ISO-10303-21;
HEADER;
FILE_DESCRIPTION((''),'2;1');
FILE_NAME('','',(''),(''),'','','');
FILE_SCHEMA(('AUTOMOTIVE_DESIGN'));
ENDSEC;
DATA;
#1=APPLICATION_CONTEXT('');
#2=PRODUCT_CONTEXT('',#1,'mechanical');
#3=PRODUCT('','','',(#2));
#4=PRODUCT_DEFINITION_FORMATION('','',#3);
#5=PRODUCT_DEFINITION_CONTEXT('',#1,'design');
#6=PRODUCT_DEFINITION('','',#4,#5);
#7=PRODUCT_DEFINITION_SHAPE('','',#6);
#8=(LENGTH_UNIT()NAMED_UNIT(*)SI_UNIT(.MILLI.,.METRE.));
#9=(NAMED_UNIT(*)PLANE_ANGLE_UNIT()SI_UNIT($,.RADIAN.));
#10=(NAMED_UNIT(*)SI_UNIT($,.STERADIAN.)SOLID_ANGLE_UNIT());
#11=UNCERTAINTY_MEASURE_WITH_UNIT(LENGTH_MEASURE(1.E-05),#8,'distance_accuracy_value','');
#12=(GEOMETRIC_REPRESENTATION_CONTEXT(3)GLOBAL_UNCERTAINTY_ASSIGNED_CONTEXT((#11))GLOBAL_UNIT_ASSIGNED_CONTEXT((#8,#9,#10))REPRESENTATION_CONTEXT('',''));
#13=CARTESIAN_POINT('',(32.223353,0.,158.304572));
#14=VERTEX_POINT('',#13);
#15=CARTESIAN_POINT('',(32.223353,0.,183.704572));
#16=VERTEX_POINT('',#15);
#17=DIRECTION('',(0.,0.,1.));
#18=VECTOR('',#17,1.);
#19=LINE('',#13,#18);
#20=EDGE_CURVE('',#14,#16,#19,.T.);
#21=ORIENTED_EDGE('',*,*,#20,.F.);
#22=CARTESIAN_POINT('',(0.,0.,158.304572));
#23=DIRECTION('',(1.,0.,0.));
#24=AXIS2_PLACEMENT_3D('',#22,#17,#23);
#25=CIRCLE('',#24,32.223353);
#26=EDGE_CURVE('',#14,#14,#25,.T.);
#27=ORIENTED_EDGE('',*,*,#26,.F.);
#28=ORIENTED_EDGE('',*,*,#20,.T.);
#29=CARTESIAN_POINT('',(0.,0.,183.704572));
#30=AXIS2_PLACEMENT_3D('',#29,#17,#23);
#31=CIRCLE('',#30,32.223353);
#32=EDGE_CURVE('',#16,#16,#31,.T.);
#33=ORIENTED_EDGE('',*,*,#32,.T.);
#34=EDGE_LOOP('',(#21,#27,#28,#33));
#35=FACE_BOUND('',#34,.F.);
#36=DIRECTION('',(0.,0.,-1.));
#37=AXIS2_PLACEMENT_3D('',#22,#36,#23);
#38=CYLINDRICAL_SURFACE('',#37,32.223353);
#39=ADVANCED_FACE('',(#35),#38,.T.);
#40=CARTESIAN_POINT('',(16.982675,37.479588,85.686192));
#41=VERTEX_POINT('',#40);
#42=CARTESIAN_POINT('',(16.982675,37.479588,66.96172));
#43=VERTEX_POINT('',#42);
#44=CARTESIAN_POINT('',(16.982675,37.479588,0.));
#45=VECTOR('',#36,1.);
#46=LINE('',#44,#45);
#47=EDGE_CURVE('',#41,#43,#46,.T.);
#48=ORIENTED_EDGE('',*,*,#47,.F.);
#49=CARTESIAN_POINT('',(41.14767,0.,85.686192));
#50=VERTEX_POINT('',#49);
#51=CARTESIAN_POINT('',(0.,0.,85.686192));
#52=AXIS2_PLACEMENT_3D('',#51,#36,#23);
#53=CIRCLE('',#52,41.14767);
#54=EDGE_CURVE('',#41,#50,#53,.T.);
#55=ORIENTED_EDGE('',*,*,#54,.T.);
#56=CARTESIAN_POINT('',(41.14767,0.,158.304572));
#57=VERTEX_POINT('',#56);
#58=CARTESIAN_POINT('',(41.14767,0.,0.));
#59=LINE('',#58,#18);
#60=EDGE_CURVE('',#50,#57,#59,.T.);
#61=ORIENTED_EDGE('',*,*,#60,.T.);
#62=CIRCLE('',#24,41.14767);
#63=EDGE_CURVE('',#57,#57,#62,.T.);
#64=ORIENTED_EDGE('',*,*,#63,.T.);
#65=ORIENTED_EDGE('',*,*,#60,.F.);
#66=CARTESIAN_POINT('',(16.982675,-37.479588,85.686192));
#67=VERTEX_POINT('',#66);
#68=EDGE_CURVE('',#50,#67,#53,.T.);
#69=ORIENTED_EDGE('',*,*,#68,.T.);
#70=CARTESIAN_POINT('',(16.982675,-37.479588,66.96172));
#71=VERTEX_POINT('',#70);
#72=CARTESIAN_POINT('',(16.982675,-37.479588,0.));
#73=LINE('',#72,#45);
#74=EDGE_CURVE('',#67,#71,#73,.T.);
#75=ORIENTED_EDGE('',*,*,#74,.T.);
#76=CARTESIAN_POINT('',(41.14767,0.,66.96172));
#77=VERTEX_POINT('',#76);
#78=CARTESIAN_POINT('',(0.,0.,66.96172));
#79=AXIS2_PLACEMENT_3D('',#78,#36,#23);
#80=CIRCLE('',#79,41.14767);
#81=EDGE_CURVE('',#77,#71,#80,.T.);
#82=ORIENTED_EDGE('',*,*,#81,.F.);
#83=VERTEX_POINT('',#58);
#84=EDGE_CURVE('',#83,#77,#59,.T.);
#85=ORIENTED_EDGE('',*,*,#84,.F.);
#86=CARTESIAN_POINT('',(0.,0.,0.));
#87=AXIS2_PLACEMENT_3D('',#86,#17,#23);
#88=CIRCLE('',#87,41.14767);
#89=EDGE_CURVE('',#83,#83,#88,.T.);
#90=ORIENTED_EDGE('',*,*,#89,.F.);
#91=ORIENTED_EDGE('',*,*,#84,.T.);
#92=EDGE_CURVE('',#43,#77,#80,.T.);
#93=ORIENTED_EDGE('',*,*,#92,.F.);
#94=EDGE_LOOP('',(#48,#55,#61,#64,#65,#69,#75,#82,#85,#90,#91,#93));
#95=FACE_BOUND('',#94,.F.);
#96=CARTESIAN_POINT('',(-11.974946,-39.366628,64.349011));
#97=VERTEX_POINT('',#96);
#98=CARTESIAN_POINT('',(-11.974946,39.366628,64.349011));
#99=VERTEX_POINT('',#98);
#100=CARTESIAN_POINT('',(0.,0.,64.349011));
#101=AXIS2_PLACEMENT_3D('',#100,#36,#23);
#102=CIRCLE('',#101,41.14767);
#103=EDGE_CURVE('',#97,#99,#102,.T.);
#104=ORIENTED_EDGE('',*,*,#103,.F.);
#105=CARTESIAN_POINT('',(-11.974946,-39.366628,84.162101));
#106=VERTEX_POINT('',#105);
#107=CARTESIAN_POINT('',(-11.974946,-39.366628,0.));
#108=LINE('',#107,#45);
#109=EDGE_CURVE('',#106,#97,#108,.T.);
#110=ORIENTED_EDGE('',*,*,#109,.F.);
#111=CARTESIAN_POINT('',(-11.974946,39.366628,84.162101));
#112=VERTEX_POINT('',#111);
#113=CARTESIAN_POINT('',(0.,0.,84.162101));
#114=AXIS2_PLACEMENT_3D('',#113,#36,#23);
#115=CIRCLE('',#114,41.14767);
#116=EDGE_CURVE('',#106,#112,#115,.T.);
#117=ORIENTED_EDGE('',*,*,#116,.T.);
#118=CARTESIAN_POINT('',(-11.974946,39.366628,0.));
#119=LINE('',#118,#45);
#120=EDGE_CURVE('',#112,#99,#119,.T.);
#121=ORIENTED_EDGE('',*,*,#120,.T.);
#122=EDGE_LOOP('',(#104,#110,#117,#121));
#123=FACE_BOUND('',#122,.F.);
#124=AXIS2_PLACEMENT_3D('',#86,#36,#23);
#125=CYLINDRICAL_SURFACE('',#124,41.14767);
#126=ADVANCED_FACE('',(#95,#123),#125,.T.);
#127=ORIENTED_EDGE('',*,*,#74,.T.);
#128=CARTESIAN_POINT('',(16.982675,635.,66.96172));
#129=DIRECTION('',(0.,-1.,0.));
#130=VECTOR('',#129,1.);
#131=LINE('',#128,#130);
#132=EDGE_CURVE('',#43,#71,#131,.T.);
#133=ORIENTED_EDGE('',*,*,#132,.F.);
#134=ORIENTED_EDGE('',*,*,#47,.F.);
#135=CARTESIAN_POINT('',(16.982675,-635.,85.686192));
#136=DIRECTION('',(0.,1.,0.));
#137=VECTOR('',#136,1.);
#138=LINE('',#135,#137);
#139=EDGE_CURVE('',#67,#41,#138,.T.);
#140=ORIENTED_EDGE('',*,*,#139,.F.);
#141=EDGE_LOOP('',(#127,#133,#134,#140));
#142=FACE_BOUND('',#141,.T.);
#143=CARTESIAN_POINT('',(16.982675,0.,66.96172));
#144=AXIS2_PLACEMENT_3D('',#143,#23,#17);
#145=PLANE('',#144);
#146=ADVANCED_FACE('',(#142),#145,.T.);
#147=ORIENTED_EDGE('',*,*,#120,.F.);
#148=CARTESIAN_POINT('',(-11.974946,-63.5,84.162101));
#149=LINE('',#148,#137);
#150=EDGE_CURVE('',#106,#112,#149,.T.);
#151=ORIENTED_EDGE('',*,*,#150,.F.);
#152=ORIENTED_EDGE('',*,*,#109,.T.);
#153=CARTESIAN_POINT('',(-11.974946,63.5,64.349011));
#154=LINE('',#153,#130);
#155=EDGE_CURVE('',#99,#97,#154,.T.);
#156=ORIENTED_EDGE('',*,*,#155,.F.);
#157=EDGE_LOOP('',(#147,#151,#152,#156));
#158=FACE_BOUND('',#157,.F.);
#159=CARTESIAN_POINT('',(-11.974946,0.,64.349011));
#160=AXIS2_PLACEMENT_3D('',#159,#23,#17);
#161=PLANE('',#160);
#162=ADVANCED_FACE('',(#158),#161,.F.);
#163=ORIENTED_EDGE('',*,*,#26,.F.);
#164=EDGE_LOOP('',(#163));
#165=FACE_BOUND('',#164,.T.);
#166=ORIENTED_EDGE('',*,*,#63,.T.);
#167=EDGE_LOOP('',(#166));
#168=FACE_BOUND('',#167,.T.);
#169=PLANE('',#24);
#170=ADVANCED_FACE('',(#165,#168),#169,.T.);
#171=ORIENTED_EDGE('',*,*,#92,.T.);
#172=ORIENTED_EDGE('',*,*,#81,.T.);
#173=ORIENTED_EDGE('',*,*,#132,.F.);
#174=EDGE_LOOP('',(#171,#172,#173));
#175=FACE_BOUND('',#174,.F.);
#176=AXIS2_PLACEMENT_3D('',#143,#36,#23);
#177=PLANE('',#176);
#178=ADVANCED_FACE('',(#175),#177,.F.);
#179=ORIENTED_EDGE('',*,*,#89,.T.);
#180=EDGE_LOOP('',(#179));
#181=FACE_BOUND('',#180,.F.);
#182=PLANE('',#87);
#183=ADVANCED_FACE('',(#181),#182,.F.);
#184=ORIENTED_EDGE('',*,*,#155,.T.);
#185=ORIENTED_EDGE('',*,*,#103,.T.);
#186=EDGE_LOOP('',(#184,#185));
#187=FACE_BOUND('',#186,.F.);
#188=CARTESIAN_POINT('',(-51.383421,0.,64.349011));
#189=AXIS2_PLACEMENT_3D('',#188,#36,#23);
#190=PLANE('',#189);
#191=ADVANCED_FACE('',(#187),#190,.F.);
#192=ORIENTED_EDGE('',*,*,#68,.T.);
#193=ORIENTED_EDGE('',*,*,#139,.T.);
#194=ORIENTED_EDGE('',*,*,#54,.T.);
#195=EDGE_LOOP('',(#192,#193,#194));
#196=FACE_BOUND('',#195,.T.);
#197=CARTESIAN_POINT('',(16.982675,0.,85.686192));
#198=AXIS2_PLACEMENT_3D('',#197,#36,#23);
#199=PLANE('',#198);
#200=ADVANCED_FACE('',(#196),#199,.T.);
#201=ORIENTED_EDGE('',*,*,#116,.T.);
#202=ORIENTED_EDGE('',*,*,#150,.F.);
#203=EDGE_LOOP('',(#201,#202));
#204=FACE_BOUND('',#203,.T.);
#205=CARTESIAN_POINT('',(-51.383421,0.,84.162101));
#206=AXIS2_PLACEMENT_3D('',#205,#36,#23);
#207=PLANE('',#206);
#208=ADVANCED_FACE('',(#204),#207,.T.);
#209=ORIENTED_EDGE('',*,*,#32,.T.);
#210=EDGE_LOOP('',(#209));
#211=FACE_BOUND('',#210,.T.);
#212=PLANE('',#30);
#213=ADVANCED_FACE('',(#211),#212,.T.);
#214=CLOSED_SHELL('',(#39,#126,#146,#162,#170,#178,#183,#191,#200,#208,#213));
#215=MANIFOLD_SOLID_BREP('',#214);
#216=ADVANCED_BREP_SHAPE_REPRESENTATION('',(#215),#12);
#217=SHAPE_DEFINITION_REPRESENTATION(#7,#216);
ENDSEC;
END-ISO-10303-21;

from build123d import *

# Parameters (mm, degrees)
F0_R     = 41.14767
F1_DEPTH = 158.304572
F2_W     = 30.046224
F2_H     = 18.724471
F3_DEPTH = 635
F4_W     = 39.408475
F4_H     = 19.81309
F5_DEPTH = 63.5
F6_R     = 32.223353
F7_DEPTH = 25.4


with BuildPart() as f1:
    # F0 (on Top) → F1 (new body)
    with BuildSketch(Plane.XY):
        Circle(F0_R)
    extrude(amount=F1_DEPTH)

    # F2 (on Front) → F3 (cut, symmetric)
    with BuildSketch(Plane.XZ):
        with Locations((32.005787, 76.323956)):
            Rectangle(F2_W, F2_H)
    extrude(amount=F3_DEPTH, both=True, mode=Mode.SUBTRACT)

    # F4 (on Front) → F5 (cut, symmetric)
    with BuildSketch(Plane.XZ):
        with Locations((-31.679184, 74.255556)):
            Rectangle(F4_W, F4_H)
    extrude(amount=F5_DEPTH, both=True, mode=Mode.SUBTRACT)

    # F6 (on face) → F7 (join)
    with BuildSketch(Plane.XY.offset(158.304572)):
        Circle(F6_R)
    extrude(amount=F7_DEPTH)


solid = f1.part
